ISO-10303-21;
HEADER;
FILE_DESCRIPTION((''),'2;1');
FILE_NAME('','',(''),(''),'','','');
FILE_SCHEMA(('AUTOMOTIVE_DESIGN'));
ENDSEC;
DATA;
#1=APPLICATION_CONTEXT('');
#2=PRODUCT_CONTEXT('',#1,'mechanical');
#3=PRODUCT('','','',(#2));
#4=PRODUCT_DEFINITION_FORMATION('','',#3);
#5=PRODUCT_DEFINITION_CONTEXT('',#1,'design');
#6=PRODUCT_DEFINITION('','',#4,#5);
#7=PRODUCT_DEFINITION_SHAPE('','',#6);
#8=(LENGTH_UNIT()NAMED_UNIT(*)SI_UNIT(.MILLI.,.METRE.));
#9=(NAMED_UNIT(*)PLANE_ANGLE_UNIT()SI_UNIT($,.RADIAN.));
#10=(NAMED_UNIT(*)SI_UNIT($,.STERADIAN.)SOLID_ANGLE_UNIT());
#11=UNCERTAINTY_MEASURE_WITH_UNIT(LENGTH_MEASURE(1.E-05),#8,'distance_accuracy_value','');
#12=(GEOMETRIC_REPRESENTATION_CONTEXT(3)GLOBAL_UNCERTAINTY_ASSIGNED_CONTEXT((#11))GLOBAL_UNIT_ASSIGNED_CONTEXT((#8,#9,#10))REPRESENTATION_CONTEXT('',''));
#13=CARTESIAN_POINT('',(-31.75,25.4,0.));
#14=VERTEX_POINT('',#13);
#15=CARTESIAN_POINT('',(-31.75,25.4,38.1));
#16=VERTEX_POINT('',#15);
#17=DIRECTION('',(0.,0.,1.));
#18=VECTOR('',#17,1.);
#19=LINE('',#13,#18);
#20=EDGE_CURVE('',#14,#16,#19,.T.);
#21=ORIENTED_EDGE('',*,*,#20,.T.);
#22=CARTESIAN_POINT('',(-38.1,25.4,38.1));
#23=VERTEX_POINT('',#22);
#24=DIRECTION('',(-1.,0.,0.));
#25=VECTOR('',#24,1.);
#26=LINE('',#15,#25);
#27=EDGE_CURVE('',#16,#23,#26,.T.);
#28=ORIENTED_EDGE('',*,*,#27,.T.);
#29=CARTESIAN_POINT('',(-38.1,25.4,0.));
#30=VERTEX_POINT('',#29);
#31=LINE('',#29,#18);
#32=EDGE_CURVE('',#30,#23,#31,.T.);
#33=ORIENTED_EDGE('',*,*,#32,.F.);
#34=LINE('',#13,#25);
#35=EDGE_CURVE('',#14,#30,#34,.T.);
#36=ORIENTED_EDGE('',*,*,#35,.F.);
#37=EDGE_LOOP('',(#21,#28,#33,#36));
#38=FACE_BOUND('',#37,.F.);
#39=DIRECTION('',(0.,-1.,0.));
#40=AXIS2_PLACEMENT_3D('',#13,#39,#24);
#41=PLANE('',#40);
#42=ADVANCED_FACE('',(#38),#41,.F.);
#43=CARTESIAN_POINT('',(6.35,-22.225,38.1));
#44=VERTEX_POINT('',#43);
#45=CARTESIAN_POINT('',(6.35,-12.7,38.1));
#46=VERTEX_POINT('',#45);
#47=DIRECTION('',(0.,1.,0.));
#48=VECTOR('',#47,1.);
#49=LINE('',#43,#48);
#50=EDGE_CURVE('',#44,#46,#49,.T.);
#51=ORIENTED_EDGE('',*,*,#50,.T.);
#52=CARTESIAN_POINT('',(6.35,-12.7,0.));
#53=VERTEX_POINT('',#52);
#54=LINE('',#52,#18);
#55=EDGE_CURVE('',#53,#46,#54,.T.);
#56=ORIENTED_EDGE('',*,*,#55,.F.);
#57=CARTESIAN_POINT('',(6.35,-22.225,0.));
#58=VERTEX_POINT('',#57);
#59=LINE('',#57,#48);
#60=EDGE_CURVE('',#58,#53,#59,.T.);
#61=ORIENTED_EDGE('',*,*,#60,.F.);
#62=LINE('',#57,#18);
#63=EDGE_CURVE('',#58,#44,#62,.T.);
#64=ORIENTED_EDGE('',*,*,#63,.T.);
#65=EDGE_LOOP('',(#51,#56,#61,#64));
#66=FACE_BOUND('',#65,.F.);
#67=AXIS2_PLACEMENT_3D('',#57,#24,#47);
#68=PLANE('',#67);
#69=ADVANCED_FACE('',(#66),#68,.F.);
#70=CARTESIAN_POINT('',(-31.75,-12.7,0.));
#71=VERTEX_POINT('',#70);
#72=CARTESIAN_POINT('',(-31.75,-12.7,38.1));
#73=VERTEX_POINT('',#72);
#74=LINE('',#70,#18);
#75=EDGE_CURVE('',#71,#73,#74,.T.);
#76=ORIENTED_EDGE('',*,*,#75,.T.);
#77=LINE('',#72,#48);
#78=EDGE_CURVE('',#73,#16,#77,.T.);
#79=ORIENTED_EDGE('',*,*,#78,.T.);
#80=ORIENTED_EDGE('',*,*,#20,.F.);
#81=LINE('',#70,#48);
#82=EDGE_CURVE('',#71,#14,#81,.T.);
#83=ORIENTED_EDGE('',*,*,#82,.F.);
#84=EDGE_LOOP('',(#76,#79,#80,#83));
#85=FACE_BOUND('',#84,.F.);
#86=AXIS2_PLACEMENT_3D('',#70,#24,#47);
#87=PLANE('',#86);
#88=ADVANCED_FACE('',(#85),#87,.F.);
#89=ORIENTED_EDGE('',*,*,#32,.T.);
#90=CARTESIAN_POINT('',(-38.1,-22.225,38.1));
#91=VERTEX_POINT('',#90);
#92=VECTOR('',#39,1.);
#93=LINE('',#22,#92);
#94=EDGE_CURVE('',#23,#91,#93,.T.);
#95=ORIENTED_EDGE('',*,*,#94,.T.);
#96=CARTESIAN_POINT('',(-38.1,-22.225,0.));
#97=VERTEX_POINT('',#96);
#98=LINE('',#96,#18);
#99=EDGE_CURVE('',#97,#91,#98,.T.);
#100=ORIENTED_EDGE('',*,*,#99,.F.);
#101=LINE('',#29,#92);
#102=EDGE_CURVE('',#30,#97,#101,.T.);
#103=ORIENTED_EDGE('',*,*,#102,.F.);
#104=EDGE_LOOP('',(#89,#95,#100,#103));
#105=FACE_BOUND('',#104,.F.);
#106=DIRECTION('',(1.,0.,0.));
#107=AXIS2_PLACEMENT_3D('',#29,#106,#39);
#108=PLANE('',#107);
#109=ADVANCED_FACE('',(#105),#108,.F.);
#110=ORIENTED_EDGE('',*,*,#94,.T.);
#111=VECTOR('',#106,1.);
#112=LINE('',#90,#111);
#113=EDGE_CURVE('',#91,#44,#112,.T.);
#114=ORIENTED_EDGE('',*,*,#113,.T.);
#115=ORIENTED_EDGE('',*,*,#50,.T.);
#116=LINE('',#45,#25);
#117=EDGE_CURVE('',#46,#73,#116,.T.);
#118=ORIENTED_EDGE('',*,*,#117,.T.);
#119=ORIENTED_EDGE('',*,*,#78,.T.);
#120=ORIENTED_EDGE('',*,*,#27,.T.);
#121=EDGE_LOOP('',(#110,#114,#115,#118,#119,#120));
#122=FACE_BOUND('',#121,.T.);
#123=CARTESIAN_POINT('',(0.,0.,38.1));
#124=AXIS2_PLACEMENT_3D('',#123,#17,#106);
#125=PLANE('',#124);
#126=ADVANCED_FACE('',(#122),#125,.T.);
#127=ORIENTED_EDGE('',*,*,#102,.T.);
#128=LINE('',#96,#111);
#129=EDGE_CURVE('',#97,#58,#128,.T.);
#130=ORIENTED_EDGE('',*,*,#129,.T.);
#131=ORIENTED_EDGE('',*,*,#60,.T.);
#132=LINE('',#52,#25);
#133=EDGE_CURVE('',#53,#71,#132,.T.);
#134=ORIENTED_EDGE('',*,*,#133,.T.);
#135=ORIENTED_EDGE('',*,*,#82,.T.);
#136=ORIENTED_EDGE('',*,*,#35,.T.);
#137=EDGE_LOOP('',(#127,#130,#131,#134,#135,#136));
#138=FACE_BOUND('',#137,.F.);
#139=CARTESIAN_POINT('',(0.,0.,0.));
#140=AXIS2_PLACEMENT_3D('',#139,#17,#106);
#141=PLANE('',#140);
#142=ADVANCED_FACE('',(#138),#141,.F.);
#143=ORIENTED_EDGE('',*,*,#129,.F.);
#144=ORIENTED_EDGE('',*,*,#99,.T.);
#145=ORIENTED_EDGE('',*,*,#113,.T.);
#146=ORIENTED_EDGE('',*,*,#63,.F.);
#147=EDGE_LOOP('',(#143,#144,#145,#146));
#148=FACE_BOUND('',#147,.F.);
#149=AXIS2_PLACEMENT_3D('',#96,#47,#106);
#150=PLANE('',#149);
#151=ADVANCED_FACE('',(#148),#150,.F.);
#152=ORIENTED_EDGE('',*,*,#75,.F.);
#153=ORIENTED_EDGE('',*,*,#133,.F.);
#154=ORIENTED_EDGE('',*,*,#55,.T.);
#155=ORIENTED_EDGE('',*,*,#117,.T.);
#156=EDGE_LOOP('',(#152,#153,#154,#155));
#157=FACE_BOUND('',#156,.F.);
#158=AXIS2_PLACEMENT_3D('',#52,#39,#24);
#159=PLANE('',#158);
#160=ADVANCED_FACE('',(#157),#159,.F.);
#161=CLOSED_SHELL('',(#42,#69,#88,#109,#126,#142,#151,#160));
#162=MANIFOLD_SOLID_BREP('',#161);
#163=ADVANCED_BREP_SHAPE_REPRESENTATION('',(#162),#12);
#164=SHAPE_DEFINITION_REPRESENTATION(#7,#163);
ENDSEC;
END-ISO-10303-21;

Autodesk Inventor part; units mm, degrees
ref_plane "YZ Plane" through (0, 0, 0) normal (1, 0, 0) x (0, 1, 0)
ref_plane "XZ Plane" through (0, 0, 0) normal (0, 1, 0) x (-1, 0, 0)
ref_plane "XY Plane" through (0, 0, 0) normal (0, 0, 1) x (1, 0, 0)
sketch "Sketch1" plane through (0, 0, 0) normal (0, 0, 1) x (1, 0, 0)
  line L0 (-38.1, 25.4) -> (-38.1, -22.225)
  line L1 (-38.1, -22.225) -> (6.35, -22.225)
  line L2 (6.35, -22.225) -> (6.35, -12.7)
  line L3 (6.35, -12.7) -> (-31.75, -12.7)
  line L4 (-31.75, -12.7) -> (-31.75, 25.4)
  line L5 (-31.75, 25.4) -> (-38.1, 25.4)
extrude "Extrusion1" add sketch "Sketch1" along normal blind 38.1
properties part number "Rib support"
